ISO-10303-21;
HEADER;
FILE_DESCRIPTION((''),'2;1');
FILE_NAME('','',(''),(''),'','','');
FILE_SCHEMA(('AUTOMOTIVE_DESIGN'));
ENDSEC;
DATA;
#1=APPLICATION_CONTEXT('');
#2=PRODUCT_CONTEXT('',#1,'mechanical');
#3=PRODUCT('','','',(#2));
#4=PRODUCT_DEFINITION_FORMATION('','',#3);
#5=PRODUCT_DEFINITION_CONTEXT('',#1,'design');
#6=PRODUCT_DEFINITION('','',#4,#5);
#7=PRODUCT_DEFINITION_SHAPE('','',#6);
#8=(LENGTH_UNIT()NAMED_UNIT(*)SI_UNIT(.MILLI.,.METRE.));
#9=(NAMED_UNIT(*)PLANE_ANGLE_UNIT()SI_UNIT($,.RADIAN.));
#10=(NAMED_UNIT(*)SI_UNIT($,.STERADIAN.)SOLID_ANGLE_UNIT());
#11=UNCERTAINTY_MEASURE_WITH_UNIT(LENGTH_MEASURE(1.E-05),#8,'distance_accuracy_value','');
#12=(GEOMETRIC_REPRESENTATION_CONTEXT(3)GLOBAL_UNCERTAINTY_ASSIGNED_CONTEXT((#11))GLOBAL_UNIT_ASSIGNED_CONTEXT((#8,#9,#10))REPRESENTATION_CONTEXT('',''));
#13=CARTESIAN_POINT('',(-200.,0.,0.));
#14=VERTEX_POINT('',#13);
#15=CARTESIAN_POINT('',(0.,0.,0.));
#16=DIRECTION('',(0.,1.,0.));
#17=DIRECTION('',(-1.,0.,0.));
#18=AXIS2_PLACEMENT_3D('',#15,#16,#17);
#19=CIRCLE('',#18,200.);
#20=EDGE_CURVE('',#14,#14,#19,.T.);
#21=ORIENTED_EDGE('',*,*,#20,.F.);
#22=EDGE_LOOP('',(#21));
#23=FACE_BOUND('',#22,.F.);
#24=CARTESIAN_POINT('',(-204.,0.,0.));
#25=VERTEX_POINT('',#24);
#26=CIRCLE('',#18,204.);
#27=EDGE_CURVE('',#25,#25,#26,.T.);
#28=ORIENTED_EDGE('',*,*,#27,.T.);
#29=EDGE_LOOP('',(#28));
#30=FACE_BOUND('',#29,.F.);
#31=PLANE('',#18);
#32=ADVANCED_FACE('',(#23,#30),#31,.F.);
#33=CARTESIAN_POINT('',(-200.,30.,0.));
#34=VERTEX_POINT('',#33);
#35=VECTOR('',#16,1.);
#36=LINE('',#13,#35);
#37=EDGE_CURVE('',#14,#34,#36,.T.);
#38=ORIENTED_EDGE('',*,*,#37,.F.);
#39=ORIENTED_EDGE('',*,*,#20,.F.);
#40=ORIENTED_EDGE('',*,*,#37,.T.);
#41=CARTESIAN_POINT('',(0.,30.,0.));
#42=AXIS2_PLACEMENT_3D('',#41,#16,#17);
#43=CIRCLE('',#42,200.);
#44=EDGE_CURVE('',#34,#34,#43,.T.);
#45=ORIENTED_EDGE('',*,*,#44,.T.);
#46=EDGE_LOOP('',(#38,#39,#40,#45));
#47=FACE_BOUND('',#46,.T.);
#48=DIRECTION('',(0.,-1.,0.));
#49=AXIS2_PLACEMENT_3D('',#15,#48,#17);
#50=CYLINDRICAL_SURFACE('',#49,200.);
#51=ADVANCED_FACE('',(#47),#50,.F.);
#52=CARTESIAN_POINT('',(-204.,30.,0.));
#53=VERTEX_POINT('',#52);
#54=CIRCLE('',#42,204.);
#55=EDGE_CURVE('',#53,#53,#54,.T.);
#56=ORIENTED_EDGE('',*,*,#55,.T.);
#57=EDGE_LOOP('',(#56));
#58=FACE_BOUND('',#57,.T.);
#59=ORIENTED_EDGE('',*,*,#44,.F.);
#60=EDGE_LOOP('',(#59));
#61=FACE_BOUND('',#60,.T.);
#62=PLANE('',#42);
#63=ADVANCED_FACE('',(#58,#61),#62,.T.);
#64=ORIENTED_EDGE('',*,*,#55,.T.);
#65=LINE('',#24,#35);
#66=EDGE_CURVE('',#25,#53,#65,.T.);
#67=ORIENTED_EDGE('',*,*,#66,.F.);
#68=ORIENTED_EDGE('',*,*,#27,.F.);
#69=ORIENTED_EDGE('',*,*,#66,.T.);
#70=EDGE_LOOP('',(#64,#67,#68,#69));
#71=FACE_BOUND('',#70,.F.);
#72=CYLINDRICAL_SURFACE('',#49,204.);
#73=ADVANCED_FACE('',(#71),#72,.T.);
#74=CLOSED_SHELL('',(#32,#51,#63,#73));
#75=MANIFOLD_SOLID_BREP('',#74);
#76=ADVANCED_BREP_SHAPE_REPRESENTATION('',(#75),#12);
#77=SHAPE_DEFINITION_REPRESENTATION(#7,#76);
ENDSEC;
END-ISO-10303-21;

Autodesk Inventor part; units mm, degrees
ref_plane "YZ Plane" through (0, 0, 0) normal (1, 0, 0) x (0, 1, 0)
ref_plane "XZ Plane" through (0, 0, 0) normal (0, 1, 0) x (-1, 0, 0)
ref_plane "XY Plane" through (0, 0, 0) normal (0, 0, 1) x (1, 0, 0)
sketch "Sketch1" plane through (0, 0, 0) normal (0, 1, 0) x (-1, 0, 0)
  circle A0 centre (0, 0) radius 200
  circle A1 centre (0, 0) radius 204
  dimension "d0" = 400
  dimension "d20" = 408
extrude "Extrusion1" add sketch "Sketch1" along normal blind 30
equation "\"BendRadius\" = Thickness"
equation "\"BendReliefWidth\" = Thickness"
equation "\"BendReliefDepth\" = 0.5 * Thickness"
equation "\"CornerReliefSize\" = 4 * Thickness"
equation "\"MinimumRemnant\" = 2 * Thickness"
equation "\"TransitionRadius\" = BendRadius"
equation "\"JacobiRadiusSize\" = BendRadius"
equation "\"GapSize\" = Thickness"
equation "\"Thickness\" = 0.5"
properties part number "Banding Roof-Base" material "Wood (Maple)"
